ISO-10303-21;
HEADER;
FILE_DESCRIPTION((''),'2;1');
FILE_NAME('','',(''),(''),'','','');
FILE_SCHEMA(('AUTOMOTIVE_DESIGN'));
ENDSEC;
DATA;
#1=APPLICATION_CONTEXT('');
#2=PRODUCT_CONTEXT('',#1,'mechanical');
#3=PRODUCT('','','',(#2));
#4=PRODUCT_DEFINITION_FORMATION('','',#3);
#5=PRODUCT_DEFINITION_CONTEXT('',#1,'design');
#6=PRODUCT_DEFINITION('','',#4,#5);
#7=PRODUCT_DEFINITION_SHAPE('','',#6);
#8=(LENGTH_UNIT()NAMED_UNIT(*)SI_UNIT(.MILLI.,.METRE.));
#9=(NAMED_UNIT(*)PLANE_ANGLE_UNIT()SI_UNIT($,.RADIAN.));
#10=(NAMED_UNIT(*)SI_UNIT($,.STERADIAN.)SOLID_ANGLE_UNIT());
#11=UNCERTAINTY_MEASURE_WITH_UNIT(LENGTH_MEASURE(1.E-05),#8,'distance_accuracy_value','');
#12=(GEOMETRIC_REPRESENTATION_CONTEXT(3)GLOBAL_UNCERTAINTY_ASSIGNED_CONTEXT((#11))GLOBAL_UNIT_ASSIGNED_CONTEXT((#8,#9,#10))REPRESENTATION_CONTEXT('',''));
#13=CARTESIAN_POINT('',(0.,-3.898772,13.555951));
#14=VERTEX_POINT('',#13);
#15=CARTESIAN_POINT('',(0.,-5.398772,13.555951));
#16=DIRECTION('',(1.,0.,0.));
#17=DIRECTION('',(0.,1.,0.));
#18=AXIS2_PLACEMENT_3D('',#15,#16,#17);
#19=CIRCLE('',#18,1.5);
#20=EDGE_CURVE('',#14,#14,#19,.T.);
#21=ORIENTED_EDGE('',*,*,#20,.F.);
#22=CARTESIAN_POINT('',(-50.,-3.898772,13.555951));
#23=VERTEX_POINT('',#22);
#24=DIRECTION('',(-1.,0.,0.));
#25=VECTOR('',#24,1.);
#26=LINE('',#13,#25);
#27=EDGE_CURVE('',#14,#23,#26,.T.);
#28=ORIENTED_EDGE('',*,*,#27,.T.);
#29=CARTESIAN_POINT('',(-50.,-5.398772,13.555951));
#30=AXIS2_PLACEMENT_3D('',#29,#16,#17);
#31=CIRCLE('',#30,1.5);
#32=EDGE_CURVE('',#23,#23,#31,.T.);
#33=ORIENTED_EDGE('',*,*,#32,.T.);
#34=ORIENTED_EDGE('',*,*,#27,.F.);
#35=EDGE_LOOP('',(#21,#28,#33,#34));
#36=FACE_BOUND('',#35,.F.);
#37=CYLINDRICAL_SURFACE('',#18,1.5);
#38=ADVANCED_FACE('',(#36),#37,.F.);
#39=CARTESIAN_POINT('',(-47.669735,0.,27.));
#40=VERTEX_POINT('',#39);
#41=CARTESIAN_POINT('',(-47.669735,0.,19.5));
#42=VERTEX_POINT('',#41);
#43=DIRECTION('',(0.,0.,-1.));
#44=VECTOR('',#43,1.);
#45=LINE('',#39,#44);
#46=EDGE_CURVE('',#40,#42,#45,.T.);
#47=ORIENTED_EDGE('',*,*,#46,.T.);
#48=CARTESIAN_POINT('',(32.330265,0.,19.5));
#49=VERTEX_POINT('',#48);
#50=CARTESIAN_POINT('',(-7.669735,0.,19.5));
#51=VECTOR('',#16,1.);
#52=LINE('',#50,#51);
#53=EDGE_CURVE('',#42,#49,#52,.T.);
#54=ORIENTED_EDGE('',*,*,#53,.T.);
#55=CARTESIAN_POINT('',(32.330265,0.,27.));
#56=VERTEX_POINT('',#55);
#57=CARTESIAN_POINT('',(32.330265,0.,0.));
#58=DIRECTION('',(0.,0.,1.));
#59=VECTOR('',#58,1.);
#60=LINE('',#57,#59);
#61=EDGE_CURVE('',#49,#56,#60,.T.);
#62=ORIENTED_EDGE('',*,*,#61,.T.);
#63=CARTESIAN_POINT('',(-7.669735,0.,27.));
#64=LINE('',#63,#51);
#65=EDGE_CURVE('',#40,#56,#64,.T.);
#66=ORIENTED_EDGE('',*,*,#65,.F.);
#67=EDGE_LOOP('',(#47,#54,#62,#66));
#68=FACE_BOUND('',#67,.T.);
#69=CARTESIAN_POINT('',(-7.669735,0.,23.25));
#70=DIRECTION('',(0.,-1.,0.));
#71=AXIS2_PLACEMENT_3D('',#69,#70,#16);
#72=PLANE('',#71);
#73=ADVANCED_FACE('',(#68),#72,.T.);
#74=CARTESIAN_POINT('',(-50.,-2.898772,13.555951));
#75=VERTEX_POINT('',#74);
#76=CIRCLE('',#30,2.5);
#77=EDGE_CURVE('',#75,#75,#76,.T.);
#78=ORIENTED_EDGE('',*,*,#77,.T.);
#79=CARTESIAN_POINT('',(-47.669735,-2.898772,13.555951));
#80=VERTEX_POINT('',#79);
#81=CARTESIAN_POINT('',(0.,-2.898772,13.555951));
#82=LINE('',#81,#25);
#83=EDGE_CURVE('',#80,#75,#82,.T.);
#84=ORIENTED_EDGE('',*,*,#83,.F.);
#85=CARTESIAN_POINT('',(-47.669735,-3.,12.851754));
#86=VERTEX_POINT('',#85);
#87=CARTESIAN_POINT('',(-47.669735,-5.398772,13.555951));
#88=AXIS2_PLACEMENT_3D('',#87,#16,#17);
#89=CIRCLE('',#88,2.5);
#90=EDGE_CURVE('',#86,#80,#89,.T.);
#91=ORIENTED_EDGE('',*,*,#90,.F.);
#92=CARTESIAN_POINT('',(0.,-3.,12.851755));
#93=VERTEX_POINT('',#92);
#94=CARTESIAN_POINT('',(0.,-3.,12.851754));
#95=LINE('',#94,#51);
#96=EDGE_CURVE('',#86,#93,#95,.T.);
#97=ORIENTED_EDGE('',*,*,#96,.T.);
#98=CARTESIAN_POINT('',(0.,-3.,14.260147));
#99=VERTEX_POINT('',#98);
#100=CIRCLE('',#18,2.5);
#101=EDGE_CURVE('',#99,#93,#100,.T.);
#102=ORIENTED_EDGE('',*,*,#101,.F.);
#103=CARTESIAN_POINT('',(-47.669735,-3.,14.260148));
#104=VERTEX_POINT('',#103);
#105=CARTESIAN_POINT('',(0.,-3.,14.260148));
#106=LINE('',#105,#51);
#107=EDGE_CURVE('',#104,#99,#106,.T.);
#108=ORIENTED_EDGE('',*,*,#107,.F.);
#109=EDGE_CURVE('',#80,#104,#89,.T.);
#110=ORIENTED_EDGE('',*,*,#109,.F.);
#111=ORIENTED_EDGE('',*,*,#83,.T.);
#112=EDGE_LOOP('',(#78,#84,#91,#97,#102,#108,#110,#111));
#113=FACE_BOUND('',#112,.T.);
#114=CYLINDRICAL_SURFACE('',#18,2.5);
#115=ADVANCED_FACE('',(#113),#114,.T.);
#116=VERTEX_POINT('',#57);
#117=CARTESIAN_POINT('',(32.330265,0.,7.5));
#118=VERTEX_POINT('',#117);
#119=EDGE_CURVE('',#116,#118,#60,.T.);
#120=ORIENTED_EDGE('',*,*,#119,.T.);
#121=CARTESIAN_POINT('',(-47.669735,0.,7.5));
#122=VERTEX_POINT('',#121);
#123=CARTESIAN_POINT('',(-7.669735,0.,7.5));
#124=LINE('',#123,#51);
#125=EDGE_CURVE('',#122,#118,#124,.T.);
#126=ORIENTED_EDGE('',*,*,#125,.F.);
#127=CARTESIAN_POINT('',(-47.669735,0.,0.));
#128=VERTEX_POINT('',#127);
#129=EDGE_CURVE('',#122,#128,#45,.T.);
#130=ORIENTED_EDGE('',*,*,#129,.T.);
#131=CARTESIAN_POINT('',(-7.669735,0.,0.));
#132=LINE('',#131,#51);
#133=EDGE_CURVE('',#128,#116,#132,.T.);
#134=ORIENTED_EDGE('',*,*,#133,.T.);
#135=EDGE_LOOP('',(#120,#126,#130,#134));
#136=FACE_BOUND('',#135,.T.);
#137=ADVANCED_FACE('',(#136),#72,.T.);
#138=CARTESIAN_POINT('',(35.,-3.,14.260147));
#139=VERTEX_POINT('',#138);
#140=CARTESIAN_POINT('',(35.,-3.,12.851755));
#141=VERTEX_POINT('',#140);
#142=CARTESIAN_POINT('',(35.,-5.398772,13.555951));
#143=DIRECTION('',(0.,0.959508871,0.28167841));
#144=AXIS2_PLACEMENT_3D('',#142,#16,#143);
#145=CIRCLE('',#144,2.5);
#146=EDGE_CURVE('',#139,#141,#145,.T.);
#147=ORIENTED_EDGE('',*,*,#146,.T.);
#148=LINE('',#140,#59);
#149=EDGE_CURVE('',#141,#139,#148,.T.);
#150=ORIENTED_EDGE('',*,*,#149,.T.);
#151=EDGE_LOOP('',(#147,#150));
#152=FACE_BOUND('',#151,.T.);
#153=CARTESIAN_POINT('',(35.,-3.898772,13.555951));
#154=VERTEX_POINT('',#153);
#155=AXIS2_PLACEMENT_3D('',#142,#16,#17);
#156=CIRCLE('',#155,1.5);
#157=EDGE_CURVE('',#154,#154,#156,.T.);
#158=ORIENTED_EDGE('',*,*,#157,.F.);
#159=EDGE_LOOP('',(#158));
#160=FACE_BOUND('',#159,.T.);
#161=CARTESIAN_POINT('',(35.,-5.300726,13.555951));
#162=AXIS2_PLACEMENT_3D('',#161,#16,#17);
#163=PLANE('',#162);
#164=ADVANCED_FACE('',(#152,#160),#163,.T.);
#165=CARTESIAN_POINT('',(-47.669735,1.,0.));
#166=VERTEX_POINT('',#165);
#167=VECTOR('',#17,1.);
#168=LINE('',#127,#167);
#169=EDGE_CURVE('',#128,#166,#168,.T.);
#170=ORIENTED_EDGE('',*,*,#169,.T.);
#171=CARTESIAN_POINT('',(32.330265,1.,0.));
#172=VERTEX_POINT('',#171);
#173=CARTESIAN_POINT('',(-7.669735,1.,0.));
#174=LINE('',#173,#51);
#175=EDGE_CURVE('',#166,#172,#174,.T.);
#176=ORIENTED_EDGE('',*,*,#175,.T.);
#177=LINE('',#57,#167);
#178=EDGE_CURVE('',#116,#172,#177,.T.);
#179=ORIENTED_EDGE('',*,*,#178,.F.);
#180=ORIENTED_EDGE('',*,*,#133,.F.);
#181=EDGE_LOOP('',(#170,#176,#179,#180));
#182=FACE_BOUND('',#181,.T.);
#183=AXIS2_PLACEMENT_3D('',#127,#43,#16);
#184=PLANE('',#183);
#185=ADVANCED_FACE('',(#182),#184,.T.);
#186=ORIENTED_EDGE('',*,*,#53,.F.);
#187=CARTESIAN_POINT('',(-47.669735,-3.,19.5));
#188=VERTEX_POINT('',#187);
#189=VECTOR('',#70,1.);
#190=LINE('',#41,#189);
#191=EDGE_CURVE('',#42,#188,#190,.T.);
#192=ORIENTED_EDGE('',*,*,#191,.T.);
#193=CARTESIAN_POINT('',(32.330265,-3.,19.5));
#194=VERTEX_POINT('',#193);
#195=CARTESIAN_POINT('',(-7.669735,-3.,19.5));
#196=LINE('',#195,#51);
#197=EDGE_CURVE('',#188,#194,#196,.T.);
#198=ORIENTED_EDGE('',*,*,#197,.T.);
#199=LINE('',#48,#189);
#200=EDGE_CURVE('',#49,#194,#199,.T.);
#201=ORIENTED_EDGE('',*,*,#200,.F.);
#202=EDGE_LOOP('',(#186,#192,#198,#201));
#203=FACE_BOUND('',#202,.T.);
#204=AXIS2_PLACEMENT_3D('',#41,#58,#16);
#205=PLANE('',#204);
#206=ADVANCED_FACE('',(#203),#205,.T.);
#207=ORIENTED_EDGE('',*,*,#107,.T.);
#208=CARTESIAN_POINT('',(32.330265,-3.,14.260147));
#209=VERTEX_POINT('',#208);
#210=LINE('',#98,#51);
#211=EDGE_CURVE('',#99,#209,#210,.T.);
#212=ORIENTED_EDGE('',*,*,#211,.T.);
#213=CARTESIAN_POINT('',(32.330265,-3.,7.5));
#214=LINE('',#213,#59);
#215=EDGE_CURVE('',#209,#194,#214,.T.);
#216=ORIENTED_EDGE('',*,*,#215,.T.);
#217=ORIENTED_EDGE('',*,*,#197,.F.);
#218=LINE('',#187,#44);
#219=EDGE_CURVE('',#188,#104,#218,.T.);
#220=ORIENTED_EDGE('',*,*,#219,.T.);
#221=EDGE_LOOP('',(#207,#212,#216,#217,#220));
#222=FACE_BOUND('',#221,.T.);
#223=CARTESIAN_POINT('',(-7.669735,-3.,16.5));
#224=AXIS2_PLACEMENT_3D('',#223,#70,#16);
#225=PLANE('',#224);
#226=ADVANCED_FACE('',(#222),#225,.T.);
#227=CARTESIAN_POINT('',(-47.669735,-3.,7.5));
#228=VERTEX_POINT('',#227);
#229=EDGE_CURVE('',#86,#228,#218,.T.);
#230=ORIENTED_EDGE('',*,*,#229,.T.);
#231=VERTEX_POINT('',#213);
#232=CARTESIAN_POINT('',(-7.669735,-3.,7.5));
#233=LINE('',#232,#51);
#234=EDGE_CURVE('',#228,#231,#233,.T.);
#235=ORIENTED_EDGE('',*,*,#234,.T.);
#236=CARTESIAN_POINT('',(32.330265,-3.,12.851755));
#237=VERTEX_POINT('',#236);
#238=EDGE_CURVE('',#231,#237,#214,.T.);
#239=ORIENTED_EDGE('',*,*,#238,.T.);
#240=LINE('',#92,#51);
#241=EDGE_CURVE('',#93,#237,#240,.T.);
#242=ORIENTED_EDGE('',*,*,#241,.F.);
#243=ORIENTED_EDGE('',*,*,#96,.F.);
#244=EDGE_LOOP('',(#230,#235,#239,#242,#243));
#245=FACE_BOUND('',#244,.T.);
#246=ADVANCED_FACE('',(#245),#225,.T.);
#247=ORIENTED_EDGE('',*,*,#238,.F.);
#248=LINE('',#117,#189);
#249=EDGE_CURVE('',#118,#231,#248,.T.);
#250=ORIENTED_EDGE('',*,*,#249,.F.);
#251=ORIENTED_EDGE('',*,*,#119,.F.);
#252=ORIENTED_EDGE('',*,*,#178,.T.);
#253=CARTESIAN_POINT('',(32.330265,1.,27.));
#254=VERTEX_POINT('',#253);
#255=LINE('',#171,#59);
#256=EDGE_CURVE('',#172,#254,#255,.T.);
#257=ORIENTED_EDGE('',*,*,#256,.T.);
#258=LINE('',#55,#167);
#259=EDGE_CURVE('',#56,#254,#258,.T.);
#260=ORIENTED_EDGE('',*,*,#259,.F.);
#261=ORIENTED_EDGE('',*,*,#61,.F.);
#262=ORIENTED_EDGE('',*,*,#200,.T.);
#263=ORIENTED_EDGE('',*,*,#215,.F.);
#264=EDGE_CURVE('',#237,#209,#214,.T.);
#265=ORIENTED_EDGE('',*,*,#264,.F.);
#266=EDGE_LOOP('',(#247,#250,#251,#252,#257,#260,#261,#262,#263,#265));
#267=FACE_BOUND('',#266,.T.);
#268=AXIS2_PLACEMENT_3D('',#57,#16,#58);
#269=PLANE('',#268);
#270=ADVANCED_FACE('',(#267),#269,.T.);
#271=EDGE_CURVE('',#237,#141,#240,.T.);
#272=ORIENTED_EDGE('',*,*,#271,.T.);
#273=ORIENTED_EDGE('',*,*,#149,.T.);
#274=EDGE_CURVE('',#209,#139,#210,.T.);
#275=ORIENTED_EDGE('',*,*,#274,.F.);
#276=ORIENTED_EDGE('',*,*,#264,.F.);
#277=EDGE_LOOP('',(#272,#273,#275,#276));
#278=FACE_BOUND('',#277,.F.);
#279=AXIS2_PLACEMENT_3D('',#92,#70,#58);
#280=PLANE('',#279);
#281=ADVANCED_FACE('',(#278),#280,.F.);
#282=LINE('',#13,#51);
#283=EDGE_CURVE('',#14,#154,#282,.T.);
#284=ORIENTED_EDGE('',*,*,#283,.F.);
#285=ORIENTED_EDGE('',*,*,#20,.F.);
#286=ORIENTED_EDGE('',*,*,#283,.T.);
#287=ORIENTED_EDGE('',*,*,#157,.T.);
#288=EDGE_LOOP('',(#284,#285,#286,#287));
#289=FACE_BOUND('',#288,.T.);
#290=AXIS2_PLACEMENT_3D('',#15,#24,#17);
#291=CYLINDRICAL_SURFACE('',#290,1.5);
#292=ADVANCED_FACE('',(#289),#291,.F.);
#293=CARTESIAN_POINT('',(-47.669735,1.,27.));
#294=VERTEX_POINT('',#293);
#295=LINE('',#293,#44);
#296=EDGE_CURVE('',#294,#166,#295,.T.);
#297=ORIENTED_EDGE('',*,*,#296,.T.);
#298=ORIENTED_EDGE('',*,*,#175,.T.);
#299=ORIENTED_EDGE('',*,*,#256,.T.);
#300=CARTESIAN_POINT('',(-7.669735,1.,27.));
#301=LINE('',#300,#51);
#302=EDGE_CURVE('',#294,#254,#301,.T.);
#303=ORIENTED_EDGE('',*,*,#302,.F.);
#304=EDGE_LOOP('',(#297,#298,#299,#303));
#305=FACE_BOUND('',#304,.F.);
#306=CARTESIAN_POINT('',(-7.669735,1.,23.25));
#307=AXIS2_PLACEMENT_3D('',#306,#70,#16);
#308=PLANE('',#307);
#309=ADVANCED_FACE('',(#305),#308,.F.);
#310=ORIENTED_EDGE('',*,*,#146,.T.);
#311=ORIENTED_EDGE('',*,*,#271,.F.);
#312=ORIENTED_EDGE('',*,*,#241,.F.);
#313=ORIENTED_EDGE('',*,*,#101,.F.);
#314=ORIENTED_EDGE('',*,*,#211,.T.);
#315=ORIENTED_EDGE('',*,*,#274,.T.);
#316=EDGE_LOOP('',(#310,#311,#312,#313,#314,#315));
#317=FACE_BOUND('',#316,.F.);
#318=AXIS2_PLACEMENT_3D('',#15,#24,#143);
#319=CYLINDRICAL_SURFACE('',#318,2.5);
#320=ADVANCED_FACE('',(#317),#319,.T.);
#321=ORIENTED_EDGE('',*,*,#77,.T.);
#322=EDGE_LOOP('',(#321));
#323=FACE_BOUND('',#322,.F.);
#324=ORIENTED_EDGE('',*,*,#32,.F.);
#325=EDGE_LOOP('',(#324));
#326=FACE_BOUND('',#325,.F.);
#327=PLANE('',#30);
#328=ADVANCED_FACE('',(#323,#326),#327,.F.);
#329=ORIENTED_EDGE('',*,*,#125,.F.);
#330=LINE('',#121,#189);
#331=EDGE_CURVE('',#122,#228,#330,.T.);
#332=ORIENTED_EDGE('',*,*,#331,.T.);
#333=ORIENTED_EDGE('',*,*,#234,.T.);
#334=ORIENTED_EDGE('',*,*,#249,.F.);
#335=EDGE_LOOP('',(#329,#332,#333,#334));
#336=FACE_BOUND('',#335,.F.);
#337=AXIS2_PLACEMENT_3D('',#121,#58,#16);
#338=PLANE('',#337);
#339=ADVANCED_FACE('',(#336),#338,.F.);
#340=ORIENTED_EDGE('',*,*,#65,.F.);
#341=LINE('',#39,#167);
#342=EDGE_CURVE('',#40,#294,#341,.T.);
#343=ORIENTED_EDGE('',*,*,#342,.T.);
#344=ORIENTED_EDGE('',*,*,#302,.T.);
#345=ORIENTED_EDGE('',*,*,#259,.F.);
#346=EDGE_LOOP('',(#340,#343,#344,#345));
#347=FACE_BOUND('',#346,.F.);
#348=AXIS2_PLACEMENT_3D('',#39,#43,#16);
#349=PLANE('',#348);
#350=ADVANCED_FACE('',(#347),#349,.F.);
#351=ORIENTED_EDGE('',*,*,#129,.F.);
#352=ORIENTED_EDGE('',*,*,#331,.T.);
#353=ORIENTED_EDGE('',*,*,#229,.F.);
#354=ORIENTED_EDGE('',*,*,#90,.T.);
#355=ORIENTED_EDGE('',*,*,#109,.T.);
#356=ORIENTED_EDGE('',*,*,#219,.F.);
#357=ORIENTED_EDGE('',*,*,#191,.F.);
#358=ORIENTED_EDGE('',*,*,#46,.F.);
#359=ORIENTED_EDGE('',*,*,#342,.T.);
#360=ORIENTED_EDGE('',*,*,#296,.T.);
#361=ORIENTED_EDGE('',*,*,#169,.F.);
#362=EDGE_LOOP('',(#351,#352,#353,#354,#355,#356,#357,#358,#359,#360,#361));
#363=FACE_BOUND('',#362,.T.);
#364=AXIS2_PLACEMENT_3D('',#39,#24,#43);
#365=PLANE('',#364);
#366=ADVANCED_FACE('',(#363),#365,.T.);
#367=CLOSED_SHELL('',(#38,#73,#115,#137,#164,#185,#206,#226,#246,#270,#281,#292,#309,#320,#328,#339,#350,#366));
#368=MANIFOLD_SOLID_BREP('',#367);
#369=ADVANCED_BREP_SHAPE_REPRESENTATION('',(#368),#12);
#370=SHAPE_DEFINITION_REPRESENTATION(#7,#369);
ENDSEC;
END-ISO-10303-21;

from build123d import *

# Parameters (mm, degrees)
F0_W      = 80
F0_H      = 6
F1_DEPTH  = 3
F0_H_2    = 7.5
F2_DEPTH  = 1
F3_R      = 2.5
F3_R_2    = 1.5
F4_DEPTH  = 50
F4_FACE_R = 1.5
F5_DEPTH  = 35


with BuildPart() as f1:
    # F0 (on Front) → F1 (new body)
    with BuildSketch(Plane.XZ):
        with Locations((-7.669735, 16.5)):
            Rectangle(F0_W, F0_H)
        with Locations((-7.669735, 10.5)):
            Rectangle(F0_W, F0_H)
    extrude(amount=F1_DEPTH)

    # F0 (on Front) → F2 (join)
    with BuildSketch(Plane.XZ):
        with Locations((-7.669735, 23.25)):
            Rectangle(F0_W, F0_H_2)
        with Locations((-7.669735, 3.75)):
            Rectangle(F0_W, F0_H_2)
        with Locations((-7.669735, 10.5)):
            Rectangle(F0_W, F0_H)
        with Locations((-7.669735, 16.5)):
            Rectangle(F0_W, F0_H)
    extrude(amount=-F2_DEPTH)

    # F3 (on Right) → F4 (join)
    with BuildSketch(Plane.YZ):
        with Locations((-5.398772, 13.555951)):
            Circle(F3_R)
        with Locations((-5.398772, 13.555951)):
            Circle(F3_R_2, mode=Mode.SUBTRACT)
    extrude(amount=-F4_DEPTH)

    # F4_face (on face) → F5 (join)
    with BuildSketch(Plane(origin=(0, -5.41744, 13.555951), x_dir=(0, 1, 0), z_dir=(1, 0, 0))):
        with BuildLine():
            Line((2.41744, -0.704196), (2.41744, 0.704196))
            ThreePointArc((2.41744, 0.704196), (-2.481332, 0), (2.41744, -0.704196))
        make_face()
        with Locations((0.018668, 0)):
            Circle(F4_FACE_R, mode=Mode.SUBTRACT)
    extrude(amount=F5_DEPTH)


solid = f1.part
